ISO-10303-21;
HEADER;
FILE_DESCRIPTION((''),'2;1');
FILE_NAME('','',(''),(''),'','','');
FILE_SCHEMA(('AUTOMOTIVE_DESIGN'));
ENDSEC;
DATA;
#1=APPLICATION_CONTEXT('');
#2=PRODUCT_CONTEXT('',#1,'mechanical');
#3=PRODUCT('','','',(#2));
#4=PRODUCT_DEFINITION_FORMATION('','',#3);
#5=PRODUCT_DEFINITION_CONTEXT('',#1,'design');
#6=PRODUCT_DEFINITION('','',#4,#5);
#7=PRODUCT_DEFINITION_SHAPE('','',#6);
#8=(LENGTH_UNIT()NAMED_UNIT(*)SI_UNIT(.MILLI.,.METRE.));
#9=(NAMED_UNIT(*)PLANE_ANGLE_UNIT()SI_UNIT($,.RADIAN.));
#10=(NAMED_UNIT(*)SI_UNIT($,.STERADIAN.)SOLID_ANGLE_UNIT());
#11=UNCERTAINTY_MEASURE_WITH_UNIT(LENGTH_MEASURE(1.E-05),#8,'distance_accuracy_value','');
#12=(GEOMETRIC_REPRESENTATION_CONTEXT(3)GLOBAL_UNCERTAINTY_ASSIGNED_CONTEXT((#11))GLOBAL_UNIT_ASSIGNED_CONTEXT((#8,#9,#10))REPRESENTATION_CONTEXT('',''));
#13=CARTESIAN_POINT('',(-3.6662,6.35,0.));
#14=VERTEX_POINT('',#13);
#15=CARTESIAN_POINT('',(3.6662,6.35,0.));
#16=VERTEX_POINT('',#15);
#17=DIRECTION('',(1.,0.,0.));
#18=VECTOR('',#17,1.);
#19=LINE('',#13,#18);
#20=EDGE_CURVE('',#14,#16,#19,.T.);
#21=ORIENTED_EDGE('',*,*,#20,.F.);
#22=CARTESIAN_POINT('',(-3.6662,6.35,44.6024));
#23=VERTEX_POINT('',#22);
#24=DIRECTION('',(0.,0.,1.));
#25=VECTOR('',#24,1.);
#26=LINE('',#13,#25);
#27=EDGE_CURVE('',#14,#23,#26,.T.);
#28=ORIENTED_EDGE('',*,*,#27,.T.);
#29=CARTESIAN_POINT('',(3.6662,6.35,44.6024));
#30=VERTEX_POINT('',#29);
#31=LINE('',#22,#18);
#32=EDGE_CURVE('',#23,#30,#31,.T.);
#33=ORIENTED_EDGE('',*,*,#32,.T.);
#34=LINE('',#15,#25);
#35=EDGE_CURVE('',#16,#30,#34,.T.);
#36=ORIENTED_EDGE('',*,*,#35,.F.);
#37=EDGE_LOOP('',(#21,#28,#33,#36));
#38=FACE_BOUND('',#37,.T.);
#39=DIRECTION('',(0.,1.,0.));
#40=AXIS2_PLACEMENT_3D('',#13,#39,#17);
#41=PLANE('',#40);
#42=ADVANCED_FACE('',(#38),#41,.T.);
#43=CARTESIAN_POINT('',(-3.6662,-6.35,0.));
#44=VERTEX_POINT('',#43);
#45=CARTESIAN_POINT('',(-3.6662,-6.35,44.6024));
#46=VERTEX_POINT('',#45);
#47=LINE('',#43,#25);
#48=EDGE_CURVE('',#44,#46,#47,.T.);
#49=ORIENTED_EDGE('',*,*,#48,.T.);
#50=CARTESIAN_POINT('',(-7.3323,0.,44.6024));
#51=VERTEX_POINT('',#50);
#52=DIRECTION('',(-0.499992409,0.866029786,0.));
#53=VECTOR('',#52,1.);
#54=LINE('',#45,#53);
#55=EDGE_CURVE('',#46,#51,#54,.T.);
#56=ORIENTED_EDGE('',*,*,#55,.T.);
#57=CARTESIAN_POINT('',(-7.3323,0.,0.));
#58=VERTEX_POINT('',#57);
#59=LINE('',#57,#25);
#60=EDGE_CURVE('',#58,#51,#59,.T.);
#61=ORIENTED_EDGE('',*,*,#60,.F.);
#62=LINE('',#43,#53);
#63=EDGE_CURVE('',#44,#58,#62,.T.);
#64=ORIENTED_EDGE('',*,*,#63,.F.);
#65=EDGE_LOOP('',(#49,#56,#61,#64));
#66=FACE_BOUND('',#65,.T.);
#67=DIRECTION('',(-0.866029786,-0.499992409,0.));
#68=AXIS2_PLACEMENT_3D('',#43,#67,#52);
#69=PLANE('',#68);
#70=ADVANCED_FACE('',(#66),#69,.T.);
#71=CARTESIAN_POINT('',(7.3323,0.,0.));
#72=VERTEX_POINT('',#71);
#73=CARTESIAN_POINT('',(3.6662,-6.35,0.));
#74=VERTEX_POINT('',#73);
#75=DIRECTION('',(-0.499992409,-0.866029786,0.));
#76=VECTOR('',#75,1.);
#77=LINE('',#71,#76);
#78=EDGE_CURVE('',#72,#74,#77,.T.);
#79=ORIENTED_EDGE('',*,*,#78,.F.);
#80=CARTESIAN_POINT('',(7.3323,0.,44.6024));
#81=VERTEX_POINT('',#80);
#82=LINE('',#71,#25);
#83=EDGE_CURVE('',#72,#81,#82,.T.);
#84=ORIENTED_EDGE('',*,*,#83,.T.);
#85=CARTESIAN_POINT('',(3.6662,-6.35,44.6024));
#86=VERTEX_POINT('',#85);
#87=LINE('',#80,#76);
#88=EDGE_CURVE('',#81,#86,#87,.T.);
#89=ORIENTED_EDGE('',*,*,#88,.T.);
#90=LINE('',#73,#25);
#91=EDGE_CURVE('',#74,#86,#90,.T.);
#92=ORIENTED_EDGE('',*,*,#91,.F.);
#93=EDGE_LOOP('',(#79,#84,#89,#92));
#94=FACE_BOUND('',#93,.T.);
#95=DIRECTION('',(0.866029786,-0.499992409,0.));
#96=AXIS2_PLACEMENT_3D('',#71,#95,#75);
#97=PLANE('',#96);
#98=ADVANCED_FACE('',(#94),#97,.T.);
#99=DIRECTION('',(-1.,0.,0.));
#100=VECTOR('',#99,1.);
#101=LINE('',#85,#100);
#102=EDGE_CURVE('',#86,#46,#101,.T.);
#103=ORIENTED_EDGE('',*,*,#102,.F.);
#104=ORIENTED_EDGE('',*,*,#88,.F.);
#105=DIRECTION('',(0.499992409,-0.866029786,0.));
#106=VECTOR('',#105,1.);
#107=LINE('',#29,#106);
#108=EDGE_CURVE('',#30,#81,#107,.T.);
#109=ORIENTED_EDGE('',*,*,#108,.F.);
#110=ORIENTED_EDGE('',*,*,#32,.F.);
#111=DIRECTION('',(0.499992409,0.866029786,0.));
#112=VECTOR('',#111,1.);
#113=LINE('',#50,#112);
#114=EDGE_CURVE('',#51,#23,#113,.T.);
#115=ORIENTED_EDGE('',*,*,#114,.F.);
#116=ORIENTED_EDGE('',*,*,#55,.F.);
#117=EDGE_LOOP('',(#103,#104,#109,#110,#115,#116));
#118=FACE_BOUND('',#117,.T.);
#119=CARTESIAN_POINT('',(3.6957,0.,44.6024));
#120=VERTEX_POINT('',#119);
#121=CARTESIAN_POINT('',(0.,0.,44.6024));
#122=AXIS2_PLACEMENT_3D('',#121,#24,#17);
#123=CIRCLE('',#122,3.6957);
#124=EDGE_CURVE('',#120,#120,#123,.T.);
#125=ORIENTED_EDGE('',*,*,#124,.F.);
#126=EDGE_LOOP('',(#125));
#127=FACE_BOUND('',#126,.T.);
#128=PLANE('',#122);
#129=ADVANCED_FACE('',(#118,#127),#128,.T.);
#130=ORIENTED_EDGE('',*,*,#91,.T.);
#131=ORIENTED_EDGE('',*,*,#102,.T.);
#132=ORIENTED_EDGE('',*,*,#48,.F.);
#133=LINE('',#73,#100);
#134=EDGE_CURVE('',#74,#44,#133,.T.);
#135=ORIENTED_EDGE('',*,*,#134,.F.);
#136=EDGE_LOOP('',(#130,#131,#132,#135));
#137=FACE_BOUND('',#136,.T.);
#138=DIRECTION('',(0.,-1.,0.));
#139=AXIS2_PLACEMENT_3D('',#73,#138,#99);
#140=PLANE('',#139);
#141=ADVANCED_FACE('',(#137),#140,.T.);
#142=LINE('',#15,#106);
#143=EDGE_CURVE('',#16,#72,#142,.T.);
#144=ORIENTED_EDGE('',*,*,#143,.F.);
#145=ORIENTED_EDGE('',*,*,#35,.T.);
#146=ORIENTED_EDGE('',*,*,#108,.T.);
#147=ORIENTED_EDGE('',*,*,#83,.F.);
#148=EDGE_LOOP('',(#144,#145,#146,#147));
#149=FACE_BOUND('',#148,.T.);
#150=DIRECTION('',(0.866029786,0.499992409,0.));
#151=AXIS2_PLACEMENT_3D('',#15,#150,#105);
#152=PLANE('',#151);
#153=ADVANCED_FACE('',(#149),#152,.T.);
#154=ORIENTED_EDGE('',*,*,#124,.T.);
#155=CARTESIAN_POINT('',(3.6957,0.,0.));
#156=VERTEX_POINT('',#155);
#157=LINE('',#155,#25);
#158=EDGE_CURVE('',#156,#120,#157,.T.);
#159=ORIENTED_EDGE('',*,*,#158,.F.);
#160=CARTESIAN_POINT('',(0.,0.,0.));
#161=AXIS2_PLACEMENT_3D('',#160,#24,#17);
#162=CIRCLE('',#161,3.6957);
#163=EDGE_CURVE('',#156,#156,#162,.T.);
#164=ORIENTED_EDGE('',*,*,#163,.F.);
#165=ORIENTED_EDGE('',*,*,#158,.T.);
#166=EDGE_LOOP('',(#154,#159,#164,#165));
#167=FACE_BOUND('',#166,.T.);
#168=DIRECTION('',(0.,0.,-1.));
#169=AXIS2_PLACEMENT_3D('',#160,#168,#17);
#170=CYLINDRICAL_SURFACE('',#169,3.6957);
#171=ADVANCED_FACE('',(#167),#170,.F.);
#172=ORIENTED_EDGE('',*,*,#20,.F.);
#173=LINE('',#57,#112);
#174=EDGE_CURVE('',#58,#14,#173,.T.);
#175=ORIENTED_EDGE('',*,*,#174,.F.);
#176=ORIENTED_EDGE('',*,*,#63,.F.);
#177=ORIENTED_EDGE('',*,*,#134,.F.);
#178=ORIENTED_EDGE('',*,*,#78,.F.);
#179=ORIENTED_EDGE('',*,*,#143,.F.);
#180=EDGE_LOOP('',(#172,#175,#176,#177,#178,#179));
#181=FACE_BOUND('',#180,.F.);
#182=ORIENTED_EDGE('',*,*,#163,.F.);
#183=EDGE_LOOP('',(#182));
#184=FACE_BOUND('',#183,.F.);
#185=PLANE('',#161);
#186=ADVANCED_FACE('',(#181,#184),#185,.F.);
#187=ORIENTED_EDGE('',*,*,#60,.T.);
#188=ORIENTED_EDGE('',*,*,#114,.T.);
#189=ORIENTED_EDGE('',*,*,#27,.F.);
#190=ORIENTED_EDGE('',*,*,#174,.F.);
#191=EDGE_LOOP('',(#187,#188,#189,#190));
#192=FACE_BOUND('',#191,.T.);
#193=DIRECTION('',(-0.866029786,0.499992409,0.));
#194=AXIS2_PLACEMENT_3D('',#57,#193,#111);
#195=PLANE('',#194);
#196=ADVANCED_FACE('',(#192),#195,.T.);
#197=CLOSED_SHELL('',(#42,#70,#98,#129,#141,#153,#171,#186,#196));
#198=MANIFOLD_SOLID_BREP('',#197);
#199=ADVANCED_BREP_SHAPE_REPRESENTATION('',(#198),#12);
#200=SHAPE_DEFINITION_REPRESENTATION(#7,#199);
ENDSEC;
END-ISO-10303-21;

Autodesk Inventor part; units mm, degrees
ref_plane "YZ Plane" through (0, 0, 0) normal (1, 0, 0) x (0, 1, 0)
ref_plane "XZ Plane" through (0, 0, 0) normal (0, 1, 0) x (-1, 0, 0)
ref_plane "XY Plane" through (0, 0, 0) normal (0, 0, 1) x (1, 0, 0)
sketch "Sketch1" plane through (0, 0, 0) normal (0, 0, 1) x (1, 0, 0)
  line L0 (-7.3323, 0) -> (-3.6662, 6.35)
  line L1 (-3.6662, 6.35) -> (3.6662, 6.35)
  line L2 (3.6662, 6.35) -> (7.3323, 0)
  line L3 (7.3323, 0) -> (3.6662, -6.35)
  line L4 (3.6662, -6.35) -> (-3.6662, -6.35)
  line L5 (-3.6662, -6.35) -> (-7.3323, 0)
  circle A0 centre (0, 0) radius 3.6957
  dimension "d0" = 12.7
  dimension "d1" = 7.3914
extrude "Extrusion1" add sketch "Sketch1" along normal blind 44.6024
thread "Thread1" size "5/16-18 UNC" class "2B" standard "ANSI Unified Screw Threads" full length
properties part number "1.756in_hexshaft" material "Aluminum 6061"
